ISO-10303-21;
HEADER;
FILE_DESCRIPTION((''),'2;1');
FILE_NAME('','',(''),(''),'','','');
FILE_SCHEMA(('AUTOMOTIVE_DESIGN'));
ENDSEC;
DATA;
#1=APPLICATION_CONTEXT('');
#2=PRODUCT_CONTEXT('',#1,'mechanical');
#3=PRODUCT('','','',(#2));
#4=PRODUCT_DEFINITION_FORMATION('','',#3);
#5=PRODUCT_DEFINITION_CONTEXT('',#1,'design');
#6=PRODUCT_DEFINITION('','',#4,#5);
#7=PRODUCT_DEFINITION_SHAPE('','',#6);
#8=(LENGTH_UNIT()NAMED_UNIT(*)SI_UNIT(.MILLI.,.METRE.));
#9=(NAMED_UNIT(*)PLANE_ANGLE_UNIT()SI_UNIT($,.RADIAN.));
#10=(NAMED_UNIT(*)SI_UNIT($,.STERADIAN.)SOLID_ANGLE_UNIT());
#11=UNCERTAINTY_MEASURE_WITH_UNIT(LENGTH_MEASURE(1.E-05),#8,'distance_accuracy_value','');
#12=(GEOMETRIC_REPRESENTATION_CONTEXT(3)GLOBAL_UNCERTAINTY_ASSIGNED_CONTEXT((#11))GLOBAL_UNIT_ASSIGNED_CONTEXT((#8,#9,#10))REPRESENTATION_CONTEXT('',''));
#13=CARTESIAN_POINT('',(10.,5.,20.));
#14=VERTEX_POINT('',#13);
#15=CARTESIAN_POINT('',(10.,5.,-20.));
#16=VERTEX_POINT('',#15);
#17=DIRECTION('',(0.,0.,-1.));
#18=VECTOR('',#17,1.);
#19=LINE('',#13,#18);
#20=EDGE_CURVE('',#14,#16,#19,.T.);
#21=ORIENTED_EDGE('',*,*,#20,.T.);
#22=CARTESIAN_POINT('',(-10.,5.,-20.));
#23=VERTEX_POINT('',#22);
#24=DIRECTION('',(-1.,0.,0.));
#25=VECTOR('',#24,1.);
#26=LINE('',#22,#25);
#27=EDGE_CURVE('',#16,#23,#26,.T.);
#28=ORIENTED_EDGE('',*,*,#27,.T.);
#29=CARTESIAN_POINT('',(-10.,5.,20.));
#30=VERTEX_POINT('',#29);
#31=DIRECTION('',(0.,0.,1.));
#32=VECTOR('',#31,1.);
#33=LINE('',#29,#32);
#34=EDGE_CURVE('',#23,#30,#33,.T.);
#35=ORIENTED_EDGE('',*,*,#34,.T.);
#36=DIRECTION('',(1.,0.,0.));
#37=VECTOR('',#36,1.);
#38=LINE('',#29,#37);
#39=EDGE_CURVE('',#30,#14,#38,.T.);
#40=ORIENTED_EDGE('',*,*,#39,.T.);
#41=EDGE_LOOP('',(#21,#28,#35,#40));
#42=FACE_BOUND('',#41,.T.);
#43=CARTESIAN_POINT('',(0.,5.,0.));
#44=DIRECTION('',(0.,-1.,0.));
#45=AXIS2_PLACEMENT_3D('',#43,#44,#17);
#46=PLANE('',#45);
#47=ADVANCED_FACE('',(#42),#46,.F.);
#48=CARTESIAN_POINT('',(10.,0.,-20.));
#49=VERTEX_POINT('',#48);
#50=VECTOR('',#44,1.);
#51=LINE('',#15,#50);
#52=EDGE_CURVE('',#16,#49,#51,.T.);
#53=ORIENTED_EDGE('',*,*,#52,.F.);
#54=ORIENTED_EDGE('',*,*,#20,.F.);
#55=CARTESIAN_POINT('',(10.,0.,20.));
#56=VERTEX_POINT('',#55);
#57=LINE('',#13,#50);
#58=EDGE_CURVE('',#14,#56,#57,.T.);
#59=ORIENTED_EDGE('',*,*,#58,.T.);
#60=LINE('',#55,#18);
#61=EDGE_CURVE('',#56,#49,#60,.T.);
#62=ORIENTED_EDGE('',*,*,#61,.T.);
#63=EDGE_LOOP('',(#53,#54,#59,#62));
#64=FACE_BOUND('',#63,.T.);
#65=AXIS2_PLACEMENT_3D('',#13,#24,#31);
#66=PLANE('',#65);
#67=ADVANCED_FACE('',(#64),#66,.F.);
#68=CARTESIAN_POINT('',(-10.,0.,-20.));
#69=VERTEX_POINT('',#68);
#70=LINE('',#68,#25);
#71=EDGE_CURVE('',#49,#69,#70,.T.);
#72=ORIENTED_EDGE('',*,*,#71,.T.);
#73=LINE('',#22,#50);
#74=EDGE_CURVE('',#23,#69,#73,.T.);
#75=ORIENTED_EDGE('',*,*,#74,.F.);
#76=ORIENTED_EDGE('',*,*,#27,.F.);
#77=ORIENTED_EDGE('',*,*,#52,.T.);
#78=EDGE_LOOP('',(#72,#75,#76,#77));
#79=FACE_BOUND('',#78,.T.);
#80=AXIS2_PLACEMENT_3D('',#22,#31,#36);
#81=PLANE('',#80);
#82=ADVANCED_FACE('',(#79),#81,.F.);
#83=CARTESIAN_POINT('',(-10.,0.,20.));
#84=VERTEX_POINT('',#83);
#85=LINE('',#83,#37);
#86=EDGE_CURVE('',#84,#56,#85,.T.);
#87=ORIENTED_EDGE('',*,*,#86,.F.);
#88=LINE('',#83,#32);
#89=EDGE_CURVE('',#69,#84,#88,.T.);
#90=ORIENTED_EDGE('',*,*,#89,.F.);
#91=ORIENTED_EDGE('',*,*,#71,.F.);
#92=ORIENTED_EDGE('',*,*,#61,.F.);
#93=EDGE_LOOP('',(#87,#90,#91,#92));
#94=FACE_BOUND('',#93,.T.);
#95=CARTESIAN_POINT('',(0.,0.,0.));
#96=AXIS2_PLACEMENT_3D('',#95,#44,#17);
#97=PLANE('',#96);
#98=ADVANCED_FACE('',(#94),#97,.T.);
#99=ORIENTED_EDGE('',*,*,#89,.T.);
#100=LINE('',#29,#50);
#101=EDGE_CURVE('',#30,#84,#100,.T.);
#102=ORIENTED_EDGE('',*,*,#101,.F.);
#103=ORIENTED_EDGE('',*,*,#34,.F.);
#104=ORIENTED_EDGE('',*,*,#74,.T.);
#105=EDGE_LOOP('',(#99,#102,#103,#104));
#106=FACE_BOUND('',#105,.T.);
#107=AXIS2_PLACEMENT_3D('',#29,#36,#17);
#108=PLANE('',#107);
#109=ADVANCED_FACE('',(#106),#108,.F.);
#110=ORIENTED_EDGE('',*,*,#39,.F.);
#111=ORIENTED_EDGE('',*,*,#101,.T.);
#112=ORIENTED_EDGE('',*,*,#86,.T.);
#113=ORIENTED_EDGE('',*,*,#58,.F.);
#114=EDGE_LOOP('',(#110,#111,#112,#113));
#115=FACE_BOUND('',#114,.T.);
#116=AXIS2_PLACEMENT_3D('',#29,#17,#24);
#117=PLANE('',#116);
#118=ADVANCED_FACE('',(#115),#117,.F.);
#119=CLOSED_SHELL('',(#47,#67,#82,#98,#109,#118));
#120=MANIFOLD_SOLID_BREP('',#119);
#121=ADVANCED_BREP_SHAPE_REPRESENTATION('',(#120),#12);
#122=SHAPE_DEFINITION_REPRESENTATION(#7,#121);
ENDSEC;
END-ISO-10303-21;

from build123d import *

# Parameters (mm, degrees)
SKETCH_1_W      = 20
SKETCH_1_H      = 40
EXTRUDE_1_DEPTH = 5


with BuildPart() as part:
    # 草图1 → 凸台-拉伸1 (new body)
    with BuildSketch(Plane(origin=(0, 0, 0), x_dir=(1, 0, 0), z_dir=(0, 1, 0))):
        Rectangle(SKETCH_1_W, SKETCH_1_H)
    extrude(amount=EXTRUDE_1_DEPTH)


solid = part.part
